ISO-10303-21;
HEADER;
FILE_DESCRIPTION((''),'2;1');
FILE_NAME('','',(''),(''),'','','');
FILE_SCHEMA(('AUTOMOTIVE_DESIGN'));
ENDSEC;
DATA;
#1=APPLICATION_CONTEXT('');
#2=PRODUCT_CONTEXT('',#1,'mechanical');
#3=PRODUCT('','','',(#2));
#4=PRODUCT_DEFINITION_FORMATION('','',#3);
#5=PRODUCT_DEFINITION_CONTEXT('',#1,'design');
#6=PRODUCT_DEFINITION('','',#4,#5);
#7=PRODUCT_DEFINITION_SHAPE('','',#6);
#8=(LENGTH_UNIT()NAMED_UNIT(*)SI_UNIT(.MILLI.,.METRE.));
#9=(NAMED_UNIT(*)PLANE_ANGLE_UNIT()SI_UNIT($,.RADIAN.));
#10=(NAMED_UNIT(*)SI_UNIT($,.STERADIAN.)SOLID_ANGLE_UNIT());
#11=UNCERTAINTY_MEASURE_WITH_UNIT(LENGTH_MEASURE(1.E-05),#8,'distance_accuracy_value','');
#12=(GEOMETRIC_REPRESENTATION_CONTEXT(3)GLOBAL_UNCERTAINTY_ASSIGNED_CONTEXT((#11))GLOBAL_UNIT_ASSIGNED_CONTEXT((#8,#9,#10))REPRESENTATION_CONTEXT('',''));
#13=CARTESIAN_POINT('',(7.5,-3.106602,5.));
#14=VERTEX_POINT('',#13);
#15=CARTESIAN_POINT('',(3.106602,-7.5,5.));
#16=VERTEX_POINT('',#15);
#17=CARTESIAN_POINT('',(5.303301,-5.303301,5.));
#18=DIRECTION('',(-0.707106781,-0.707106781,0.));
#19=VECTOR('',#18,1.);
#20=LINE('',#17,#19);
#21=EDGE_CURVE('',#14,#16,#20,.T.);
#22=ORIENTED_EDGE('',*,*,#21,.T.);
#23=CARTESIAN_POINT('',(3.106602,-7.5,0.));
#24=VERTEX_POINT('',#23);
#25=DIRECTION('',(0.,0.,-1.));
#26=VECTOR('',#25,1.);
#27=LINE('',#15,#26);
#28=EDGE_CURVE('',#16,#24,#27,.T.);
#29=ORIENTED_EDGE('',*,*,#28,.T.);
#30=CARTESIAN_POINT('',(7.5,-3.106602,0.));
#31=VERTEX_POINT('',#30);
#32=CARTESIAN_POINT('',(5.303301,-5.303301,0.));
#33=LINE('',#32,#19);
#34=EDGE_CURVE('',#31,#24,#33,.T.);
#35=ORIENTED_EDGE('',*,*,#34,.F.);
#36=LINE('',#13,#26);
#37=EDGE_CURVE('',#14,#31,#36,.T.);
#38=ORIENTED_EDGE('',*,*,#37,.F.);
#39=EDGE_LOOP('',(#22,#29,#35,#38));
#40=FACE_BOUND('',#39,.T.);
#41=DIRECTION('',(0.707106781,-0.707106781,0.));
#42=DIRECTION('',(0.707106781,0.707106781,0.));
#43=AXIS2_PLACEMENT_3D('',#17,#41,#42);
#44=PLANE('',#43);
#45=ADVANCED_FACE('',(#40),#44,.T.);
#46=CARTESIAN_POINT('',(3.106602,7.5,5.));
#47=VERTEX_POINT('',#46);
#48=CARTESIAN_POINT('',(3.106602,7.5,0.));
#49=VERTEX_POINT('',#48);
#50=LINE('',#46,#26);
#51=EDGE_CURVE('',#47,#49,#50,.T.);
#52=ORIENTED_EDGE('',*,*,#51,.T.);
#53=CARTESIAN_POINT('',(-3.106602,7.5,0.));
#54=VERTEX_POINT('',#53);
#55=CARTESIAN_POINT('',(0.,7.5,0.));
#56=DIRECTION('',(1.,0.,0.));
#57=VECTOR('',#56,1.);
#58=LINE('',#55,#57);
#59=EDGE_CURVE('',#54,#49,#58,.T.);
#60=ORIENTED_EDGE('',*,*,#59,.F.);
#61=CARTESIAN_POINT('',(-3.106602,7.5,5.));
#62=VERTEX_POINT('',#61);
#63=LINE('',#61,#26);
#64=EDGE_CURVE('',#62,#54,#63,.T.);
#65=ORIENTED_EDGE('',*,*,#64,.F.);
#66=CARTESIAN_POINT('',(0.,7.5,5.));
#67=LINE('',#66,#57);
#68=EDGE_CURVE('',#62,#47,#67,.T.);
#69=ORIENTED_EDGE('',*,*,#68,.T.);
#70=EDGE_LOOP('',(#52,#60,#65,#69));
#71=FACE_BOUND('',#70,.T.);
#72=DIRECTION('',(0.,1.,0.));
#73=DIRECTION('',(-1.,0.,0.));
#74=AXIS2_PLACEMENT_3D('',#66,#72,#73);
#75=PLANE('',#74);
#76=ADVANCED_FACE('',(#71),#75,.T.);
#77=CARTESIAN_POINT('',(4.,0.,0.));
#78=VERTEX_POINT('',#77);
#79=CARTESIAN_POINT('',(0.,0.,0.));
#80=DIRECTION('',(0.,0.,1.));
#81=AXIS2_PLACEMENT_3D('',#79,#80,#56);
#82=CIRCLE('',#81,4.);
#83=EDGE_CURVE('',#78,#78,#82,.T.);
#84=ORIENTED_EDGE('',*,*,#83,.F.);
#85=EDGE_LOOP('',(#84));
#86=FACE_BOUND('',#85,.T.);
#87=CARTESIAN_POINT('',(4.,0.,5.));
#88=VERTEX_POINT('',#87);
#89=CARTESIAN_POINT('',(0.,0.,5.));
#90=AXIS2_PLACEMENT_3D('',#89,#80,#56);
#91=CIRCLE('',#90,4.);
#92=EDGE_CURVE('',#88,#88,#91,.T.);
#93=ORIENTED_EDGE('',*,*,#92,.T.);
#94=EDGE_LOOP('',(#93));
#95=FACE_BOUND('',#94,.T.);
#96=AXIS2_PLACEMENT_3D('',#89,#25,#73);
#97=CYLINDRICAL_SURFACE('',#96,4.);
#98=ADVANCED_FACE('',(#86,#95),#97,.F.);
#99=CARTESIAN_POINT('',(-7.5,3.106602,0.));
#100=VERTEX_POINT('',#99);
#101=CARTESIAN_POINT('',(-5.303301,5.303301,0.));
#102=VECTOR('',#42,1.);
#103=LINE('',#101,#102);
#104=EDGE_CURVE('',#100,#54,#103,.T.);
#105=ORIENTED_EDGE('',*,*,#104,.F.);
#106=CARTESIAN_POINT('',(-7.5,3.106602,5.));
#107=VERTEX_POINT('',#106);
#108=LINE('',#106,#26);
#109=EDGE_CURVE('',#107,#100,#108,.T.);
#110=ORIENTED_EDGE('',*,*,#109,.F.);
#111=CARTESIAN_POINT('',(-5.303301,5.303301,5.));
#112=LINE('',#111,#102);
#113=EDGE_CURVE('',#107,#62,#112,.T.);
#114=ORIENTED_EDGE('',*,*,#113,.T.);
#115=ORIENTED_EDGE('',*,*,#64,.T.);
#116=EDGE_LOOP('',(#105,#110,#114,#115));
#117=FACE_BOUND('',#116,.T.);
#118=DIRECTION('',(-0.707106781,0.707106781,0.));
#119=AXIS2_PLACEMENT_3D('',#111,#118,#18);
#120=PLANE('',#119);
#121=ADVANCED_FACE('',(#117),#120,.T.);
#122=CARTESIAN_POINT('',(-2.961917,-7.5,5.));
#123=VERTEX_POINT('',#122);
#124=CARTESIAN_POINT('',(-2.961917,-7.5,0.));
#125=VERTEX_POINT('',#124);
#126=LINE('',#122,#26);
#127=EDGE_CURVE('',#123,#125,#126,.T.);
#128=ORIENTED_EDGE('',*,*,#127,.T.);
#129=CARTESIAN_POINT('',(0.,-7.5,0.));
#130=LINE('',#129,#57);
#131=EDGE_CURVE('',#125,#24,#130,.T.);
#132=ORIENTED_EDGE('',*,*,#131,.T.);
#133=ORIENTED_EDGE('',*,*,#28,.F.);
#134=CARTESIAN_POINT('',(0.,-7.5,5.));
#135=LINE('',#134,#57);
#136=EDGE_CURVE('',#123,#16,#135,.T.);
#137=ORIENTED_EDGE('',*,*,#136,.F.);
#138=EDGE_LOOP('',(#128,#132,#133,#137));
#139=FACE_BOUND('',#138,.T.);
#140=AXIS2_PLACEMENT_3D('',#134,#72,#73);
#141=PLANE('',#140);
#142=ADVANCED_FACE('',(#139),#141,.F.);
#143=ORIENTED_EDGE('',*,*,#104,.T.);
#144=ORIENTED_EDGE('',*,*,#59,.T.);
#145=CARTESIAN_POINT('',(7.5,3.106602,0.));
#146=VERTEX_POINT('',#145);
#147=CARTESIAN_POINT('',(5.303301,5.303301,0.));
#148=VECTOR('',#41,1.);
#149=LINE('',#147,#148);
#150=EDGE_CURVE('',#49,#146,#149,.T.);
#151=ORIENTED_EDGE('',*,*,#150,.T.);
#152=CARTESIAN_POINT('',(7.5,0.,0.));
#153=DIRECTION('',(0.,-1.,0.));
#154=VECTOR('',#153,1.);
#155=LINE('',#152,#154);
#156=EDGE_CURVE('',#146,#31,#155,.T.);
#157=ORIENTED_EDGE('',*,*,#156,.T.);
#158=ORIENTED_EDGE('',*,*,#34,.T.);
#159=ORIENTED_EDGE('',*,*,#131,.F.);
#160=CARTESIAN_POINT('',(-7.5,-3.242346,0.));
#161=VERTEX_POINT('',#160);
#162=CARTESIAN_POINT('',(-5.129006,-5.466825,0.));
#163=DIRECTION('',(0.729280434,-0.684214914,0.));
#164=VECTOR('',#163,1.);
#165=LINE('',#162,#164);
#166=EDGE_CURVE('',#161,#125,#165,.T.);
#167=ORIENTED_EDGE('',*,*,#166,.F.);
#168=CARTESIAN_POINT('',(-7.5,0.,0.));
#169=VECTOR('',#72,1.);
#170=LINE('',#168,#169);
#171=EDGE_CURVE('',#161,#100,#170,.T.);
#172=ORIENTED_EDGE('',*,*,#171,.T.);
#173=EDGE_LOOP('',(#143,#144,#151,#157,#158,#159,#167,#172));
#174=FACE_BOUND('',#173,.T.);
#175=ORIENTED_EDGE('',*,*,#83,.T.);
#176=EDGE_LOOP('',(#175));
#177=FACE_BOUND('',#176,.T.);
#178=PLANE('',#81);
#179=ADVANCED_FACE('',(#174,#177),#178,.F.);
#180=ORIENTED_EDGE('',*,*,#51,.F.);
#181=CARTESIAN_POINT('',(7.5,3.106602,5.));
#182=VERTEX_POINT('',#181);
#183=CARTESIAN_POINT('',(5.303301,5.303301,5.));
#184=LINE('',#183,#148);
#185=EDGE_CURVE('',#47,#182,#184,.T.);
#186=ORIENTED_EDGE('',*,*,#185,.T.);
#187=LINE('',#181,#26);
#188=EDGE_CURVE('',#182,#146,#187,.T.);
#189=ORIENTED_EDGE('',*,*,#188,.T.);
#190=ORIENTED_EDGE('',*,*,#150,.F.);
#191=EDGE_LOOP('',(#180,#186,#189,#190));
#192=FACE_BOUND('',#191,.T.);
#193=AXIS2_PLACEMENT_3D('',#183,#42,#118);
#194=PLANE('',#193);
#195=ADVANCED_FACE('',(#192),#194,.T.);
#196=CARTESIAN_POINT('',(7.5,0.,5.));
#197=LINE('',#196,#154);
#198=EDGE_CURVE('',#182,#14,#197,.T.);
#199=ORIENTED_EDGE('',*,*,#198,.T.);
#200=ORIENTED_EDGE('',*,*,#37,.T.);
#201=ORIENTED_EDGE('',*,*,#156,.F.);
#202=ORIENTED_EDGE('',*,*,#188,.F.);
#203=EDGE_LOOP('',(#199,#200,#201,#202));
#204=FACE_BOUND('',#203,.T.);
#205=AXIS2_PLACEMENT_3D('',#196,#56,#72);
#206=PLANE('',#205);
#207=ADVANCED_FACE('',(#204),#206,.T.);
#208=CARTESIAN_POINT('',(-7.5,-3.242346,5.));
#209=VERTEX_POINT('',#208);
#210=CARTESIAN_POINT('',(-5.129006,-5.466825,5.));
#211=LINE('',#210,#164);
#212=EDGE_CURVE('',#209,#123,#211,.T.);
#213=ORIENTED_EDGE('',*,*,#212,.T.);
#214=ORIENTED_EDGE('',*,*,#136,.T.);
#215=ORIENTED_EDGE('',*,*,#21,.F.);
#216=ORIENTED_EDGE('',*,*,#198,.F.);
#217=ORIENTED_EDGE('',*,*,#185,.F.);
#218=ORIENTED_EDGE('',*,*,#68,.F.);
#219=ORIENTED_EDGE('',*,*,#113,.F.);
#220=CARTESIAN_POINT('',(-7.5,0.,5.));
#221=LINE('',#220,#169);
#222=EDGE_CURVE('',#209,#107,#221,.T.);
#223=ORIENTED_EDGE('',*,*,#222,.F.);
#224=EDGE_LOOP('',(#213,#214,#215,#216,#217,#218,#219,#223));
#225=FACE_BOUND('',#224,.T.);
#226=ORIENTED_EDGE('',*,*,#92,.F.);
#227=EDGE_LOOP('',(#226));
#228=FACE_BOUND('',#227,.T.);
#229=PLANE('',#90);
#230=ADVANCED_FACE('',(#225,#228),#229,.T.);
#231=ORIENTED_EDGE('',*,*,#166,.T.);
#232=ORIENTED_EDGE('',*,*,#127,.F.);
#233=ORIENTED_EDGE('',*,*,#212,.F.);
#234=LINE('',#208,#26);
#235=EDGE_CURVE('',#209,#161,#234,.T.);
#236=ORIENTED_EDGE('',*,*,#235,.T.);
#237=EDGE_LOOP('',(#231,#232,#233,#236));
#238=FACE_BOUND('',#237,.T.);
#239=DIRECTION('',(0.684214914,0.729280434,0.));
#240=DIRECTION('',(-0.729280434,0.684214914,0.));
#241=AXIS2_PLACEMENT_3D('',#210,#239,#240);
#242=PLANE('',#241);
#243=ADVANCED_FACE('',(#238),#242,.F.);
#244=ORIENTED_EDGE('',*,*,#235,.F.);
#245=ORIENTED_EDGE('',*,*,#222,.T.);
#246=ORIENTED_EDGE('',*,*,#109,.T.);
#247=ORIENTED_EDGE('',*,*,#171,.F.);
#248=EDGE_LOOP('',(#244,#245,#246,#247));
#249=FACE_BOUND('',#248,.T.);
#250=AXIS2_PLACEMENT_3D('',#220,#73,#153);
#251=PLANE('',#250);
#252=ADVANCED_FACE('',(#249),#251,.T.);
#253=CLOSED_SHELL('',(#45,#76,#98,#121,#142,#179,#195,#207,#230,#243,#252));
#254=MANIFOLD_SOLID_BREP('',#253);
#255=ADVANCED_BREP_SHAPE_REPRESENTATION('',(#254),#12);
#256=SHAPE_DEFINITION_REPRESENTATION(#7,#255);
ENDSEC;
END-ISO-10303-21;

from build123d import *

# Parameters (mm, degrees)
ESQUISSE1_R        = 4
BOSS_EXTRU_1_DEPTH = 5


with BuildPart() as part:
    # Esquisse1 → Boss.-Extru.1 (new body)
    with BuildSketch(Plane.XY):
        Polygon((7.5, 3.106601718), (5.303300859, 5.303300859), (3.106601718, 7.5), (-3.106601718, 7.5), (-5.303300859, 5.303300859), (-7.5, 3.106601718), (-7.5, -3.242345642), (-5.303300859, -5.303300859), (-2.961917079, -7.5), (3.106601718, -7.5), (5.303300859, -5.303300859), (7.5, -3.106601718), align=None)
        Circle(ESQUISSE1_R, mode=Mode.SUBTRACT)
    extrude(amount=BOSS_EXTRU_1_DEPTH)


solid = part.part
